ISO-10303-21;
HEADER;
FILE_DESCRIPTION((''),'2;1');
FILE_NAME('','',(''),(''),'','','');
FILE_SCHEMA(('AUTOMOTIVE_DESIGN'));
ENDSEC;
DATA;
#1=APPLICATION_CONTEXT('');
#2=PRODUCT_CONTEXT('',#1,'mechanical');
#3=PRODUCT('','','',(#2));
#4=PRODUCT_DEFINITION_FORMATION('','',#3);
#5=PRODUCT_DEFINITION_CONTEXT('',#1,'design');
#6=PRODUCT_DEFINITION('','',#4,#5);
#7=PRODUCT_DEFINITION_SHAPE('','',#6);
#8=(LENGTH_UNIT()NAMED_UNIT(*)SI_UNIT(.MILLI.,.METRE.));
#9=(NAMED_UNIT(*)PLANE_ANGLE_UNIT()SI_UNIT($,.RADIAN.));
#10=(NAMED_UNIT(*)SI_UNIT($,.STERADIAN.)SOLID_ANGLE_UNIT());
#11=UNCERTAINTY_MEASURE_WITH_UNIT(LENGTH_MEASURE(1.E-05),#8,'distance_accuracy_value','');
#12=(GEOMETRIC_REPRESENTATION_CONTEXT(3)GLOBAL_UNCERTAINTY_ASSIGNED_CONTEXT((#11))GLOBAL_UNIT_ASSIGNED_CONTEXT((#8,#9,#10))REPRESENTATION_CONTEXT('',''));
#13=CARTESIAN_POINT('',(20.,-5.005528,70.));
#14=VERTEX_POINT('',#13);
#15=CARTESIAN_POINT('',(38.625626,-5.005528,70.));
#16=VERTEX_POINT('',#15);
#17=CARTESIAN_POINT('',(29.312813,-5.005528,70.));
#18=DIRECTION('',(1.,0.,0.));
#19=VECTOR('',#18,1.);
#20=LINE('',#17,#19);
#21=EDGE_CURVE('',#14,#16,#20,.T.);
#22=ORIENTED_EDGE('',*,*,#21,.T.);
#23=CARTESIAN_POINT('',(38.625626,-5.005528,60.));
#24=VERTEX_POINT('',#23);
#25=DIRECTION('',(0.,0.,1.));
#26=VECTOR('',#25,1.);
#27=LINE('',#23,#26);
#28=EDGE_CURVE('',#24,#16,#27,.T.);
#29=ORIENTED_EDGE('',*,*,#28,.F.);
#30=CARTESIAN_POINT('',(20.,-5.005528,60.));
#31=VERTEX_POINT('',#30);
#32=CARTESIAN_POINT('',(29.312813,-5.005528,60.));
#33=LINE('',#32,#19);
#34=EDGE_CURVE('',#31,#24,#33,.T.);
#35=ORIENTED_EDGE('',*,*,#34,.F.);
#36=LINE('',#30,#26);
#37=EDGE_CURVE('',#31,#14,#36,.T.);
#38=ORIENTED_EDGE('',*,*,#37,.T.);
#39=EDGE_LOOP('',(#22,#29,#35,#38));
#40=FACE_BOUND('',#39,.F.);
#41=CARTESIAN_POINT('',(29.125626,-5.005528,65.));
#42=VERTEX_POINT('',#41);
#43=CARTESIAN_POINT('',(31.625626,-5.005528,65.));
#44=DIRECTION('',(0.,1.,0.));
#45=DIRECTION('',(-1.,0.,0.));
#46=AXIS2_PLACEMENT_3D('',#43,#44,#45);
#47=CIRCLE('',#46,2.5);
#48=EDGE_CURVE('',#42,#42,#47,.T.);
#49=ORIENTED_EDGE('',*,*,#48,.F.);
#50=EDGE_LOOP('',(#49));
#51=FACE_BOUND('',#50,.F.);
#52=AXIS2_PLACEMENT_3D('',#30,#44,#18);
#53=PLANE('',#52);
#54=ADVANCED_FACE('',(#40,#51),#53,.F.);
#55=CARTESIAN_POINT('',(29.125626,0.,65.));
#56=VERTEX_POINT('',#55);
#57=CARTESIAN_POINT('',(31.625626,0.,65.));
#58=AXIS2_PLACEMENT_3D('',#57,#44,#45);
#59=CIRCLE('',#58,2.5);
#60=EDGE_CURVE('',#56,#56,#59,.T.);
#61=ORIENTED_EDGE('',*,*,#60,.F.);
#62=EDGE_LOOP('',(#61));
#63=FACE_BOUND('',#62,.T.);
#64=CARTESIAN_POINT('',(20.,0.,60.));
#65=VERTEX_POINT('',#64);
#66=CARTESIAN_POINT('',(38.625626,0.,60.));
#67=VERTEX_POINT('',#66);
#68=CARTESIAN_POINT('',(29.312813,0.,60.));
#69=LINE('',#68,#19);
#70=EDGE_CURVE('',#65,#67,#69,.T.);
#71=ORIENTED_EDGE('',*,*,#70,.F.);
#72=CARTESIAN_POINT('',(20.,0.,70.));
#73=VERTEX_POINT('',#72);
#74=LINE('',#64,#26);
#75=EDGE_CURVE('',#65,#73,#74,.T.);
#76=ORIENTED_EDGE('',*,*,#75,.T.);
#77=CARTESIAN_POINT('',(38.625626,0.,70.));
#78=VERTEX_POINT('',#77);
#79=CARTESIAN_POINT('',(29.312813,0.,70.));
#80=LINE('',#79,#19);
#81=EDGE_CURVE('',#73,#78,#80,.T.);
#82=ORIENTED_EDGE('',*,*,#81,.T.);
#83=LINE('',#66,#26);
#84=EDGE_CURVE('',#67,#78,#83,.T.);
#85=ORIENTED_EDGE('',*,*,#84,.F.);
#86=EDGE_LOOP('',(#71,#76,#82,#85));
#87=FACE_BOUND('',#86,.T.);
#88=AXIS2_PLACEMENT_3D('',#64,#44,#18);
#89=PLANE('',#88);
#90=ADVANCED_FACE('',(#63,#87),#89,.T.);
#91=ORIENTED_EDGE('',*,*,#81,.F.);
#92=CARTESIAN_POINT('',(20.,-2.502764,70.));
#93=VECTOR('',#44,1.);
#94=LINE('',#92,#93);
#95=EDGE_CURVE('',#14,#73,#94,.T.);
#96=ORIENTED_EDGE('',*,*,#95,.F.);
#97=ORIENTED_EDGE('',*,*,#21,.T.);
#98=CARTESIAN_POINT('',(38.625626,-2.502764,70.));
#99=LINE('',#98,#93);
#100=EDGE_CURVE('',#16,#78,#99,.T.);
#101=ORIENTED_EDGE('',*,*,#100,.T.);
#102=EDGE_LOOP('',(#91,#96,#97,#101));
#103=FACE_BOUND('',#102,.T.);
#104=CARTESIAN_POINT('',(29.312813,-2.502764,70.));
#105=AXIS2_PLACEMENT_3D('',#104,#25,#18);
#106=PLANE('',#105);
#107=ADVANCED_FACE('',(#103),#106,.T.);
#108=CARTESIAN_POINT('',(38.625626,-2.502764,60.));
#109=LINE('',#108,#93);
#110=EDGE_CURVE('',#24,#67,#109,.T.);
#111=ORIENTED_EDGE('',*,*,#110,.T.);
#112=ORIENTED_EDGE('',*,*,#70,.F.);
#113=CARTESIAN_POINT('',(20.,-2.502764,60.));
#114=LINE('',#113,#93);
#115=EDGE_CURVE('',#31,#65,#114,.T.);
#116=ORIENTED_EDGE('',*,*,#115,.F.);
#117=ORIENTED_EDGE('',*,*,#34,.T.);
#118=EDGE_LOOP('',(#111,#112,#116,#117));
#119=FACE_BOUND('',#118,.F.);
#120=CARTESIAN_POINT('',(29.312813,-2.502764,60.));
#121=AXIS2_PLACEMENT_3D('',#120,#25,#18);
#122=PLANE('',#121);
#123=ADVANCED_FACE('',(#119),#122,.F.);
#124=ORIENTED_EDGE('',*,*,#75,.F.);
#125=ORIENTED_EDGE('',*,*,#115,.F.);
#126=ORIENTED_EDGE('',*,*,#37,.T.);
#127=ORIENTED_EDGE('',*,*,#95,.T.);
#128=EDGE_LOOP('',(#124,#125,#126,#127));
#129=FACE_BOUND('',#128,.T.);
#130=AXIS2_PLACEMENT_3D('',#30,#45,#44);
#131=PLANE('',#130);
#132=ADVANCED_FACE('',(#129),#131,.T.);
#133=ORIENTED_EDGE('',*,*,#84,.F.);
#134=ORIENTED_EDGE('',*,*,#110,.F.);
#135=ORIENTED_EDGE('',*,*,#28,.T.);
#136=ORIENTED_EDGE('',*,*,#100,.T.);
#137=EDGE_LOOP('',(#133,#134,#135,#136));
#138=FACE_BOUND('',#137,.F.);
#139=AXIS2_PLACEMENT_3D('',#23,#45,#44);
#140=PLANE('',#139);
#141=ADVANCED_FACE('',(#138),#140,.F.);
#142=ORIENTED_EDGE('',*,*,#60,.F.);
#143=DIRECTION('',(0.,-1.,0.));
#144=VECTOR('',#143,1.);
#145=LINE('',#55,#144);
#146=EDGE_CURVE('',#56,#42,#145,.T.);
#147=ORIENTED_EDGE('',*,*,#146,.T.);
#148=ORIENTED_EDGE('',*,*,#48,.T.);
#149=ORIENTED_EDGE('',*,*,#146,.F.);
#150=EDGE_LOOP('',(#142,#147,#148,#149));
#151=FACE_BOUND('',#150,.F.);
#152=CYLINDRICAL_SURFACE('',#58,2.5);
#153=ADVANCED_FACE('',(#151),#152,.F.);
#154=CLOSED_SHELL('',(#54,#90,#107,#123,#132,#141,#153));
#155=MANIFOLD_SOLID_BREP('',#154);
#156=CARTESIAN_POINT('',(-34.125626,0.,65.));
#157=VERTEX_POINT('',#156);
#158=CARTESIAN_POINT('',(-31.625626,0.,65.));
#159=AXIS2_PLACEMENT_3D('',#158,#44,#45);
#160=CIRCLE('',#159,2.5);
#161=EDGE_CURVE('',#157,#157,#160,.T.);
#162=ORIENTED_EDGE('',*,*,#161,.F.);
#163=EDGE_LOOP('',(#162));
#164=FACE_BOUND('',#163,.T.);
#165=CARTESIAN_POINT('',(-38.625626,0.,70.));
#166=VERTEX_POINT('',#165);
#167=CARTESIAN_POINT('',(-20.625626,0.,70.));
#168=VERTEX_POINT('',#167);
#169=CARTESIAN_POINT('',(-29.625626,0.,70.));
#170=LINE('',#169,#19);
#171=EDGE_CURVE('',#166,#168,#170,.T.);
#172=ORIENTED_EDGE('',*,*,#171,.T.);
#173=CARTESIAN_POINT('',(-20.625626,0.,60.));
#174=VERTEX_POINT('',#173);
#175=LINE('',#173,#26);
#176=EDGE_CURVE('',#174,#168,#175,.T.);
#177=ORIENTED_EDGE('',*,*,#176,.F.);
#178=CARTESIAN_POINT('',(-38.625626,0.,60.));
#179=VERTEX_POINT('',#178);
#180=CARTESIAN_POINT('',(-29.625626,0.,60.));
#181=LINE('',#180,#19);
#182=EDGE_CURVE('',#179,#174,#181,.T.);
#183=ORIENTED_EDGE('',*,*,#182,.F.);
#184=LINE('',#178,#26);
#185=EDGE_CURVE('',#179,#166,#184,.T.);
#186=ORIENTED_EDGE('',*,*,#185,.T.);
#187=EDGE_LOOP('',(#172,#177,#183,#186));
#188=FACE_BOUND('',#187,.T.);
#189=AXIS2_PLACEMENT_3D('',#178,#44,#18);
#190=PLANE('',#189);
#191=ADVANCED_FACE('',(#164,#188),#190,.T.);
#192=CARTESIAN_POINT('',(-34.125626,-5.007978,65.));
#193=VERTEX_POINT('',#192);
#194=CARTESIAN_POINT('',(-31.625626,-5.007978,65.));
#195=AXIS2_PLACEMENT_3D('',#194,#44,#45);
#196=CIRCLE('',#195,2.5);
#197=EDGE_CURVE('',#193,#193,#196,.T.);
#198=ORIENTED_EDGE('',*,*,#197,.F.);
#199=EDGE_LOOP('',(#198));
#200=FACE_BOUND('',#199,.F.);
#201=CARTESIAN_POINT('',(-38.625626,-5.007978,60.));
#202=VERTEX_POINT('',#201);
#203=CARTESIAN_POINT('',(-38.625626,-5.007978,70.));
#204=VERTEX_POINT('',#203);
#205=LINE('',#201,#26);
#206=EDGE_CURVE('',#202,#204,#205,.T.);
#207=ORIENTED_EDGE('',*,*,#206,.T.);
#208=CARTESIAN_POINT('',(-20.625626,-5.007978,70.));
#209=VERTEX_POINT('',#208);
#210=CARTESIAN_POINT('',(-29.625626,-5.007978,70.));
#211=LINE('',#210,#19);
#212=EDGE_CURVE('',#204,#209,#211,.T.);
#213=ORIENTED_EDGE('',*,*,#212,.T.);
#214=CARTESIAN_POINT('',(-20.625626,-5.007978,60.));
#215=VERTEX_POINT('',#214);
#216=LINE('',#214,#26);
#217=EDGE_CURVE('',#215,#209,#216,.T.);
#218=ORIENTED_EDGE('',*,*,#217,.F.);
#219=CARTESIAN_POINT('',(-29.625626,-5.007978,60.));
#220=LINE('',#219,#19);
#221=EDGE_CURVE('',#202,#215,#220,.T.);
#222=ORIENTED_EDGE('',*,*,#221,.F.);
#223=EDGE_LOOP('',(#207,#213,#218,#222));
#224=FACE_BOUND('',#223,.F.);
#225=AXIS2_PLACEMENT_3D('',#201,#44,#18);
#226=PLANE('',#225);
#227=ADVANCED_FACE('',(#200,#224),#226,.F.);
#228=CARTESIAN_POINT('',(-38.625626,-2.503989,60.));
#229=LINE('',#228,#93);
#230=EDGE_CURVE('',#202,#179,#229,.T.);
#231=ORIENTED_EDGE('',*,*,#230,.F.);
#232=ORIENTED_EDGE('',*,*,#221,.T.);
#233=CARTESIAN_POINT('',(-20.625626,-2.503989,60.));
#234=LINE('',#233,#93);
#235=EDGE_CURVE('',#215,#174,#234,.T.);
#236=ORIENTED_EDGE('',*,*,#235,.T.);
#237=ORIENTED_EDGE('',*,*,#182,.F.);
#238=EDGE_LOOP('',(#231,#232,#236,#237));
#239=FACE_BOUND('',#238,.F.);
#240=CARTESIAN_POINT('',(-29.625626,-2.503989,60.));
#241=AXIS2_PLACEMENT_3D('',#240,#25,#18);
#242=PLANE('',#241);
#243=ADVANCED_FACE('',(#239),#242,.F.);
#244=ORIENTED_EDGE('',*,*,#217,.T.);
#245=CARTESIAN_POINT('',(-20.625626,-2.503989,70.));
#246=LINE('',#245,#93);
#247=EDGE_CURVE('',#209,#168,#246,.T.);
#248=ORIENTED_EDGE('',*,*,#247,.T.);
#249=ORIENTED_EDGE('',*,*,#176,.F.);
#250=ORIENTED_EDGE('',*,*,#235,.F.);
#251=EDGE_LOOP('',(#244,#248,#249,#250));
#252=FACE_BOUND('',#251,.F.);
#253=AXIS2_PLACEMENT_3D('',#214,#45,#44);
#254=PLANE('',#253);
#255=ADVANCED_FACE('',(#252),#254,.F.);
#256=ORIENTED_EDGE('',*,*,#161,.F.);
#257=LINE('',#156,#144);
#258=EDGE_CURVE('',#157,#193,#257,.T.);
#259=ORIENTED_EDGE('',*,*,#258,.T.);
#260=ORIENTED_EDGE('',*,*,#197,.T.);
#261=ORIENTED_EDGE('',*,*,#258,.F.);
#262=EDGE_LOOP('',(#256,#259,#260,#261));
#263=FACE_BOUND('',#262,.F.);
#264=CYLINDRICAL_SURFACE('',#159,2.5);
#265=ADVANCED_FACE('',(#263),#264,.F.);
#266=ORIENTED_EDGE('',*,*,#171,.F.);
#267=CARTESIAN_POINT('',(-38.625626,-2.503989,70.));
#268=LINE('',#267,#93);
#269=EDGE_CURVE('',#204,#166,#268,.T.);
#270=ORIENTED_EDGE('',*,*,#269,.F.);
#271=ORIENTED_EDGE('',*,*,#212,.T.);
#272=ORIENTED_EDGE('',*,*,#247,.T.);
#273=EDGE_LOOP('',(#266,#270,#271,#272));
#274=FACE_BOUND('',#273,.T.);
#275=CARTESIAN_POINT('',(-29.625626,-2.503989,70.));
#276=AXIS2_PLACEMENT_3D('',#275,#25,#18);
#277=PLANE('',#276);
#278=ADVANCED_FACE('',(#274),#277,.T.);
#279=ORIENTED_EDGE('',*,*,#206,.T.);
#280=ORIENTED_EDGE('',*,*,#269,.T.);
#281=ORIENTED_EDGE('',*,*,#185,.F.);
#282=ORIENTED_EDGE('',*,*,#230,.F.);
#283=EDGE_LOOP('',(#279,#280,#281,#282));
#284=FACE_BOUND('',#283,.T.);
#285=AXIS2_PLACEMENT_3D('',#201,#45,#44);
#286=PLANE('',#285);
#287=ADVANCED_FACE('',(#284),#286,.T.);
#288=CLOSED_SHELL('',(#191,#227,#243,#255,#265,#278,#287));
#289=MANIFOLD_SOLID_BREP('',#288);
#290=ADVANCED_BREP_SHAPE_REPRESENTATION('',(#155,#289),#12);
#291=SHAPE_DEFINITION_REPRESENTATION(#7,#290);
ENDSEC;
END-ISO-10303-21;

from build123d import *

# Parameters (mm, degrees)
SKETCH010_R      = 2.5
EXTRUDE006_DEPTH = 10
SKETCH007_W      = 18
SKETCH007_H      = 5.007978
SKETCH007_W_2    = 18.625626
SKETCH007_H_2    = 5.005528
EXTRUDE002_DEPTH = 10


with BuildPart() as extrude006:
    # Sketch010 (on Face3 of Extrude002) → Extrude006 (new body)
    with BuildSketch(Plane(origin=(0, 0, 0), x_dir=(-1, 0, 0), z_dir=(0, 1, 0))):
        with Locations((-31.625626, 65)):
            Circle(SKETCH010_R)
        with Locations((31.625626, 65)):
            Circle(SKETCH010_R)
    extrude(amount=-EXTRUDE006_DEPTH)


with BuildPart() as cut001:
    # Sketch007 (on Face1 of CopyCut) → Extrude002 (new body)
    with BuildSketch(Plane.XY.offset(60)):
        with Locations((-29.625626, -2.503989)):
            Rectangle(SKETCH007_W, SKETCH007_H)
        with Locations((29.312813, -2.502764)):
            Rectangle(SKETCH007_W_2, SKETCH007_H_2)
    extrude(amount=EXTRUDE002_DEPTH)

    # Cut001: cut Extrude006
    add(extrude006.part, mode=Mode.SUBTRACT)


solid = cut001.part
